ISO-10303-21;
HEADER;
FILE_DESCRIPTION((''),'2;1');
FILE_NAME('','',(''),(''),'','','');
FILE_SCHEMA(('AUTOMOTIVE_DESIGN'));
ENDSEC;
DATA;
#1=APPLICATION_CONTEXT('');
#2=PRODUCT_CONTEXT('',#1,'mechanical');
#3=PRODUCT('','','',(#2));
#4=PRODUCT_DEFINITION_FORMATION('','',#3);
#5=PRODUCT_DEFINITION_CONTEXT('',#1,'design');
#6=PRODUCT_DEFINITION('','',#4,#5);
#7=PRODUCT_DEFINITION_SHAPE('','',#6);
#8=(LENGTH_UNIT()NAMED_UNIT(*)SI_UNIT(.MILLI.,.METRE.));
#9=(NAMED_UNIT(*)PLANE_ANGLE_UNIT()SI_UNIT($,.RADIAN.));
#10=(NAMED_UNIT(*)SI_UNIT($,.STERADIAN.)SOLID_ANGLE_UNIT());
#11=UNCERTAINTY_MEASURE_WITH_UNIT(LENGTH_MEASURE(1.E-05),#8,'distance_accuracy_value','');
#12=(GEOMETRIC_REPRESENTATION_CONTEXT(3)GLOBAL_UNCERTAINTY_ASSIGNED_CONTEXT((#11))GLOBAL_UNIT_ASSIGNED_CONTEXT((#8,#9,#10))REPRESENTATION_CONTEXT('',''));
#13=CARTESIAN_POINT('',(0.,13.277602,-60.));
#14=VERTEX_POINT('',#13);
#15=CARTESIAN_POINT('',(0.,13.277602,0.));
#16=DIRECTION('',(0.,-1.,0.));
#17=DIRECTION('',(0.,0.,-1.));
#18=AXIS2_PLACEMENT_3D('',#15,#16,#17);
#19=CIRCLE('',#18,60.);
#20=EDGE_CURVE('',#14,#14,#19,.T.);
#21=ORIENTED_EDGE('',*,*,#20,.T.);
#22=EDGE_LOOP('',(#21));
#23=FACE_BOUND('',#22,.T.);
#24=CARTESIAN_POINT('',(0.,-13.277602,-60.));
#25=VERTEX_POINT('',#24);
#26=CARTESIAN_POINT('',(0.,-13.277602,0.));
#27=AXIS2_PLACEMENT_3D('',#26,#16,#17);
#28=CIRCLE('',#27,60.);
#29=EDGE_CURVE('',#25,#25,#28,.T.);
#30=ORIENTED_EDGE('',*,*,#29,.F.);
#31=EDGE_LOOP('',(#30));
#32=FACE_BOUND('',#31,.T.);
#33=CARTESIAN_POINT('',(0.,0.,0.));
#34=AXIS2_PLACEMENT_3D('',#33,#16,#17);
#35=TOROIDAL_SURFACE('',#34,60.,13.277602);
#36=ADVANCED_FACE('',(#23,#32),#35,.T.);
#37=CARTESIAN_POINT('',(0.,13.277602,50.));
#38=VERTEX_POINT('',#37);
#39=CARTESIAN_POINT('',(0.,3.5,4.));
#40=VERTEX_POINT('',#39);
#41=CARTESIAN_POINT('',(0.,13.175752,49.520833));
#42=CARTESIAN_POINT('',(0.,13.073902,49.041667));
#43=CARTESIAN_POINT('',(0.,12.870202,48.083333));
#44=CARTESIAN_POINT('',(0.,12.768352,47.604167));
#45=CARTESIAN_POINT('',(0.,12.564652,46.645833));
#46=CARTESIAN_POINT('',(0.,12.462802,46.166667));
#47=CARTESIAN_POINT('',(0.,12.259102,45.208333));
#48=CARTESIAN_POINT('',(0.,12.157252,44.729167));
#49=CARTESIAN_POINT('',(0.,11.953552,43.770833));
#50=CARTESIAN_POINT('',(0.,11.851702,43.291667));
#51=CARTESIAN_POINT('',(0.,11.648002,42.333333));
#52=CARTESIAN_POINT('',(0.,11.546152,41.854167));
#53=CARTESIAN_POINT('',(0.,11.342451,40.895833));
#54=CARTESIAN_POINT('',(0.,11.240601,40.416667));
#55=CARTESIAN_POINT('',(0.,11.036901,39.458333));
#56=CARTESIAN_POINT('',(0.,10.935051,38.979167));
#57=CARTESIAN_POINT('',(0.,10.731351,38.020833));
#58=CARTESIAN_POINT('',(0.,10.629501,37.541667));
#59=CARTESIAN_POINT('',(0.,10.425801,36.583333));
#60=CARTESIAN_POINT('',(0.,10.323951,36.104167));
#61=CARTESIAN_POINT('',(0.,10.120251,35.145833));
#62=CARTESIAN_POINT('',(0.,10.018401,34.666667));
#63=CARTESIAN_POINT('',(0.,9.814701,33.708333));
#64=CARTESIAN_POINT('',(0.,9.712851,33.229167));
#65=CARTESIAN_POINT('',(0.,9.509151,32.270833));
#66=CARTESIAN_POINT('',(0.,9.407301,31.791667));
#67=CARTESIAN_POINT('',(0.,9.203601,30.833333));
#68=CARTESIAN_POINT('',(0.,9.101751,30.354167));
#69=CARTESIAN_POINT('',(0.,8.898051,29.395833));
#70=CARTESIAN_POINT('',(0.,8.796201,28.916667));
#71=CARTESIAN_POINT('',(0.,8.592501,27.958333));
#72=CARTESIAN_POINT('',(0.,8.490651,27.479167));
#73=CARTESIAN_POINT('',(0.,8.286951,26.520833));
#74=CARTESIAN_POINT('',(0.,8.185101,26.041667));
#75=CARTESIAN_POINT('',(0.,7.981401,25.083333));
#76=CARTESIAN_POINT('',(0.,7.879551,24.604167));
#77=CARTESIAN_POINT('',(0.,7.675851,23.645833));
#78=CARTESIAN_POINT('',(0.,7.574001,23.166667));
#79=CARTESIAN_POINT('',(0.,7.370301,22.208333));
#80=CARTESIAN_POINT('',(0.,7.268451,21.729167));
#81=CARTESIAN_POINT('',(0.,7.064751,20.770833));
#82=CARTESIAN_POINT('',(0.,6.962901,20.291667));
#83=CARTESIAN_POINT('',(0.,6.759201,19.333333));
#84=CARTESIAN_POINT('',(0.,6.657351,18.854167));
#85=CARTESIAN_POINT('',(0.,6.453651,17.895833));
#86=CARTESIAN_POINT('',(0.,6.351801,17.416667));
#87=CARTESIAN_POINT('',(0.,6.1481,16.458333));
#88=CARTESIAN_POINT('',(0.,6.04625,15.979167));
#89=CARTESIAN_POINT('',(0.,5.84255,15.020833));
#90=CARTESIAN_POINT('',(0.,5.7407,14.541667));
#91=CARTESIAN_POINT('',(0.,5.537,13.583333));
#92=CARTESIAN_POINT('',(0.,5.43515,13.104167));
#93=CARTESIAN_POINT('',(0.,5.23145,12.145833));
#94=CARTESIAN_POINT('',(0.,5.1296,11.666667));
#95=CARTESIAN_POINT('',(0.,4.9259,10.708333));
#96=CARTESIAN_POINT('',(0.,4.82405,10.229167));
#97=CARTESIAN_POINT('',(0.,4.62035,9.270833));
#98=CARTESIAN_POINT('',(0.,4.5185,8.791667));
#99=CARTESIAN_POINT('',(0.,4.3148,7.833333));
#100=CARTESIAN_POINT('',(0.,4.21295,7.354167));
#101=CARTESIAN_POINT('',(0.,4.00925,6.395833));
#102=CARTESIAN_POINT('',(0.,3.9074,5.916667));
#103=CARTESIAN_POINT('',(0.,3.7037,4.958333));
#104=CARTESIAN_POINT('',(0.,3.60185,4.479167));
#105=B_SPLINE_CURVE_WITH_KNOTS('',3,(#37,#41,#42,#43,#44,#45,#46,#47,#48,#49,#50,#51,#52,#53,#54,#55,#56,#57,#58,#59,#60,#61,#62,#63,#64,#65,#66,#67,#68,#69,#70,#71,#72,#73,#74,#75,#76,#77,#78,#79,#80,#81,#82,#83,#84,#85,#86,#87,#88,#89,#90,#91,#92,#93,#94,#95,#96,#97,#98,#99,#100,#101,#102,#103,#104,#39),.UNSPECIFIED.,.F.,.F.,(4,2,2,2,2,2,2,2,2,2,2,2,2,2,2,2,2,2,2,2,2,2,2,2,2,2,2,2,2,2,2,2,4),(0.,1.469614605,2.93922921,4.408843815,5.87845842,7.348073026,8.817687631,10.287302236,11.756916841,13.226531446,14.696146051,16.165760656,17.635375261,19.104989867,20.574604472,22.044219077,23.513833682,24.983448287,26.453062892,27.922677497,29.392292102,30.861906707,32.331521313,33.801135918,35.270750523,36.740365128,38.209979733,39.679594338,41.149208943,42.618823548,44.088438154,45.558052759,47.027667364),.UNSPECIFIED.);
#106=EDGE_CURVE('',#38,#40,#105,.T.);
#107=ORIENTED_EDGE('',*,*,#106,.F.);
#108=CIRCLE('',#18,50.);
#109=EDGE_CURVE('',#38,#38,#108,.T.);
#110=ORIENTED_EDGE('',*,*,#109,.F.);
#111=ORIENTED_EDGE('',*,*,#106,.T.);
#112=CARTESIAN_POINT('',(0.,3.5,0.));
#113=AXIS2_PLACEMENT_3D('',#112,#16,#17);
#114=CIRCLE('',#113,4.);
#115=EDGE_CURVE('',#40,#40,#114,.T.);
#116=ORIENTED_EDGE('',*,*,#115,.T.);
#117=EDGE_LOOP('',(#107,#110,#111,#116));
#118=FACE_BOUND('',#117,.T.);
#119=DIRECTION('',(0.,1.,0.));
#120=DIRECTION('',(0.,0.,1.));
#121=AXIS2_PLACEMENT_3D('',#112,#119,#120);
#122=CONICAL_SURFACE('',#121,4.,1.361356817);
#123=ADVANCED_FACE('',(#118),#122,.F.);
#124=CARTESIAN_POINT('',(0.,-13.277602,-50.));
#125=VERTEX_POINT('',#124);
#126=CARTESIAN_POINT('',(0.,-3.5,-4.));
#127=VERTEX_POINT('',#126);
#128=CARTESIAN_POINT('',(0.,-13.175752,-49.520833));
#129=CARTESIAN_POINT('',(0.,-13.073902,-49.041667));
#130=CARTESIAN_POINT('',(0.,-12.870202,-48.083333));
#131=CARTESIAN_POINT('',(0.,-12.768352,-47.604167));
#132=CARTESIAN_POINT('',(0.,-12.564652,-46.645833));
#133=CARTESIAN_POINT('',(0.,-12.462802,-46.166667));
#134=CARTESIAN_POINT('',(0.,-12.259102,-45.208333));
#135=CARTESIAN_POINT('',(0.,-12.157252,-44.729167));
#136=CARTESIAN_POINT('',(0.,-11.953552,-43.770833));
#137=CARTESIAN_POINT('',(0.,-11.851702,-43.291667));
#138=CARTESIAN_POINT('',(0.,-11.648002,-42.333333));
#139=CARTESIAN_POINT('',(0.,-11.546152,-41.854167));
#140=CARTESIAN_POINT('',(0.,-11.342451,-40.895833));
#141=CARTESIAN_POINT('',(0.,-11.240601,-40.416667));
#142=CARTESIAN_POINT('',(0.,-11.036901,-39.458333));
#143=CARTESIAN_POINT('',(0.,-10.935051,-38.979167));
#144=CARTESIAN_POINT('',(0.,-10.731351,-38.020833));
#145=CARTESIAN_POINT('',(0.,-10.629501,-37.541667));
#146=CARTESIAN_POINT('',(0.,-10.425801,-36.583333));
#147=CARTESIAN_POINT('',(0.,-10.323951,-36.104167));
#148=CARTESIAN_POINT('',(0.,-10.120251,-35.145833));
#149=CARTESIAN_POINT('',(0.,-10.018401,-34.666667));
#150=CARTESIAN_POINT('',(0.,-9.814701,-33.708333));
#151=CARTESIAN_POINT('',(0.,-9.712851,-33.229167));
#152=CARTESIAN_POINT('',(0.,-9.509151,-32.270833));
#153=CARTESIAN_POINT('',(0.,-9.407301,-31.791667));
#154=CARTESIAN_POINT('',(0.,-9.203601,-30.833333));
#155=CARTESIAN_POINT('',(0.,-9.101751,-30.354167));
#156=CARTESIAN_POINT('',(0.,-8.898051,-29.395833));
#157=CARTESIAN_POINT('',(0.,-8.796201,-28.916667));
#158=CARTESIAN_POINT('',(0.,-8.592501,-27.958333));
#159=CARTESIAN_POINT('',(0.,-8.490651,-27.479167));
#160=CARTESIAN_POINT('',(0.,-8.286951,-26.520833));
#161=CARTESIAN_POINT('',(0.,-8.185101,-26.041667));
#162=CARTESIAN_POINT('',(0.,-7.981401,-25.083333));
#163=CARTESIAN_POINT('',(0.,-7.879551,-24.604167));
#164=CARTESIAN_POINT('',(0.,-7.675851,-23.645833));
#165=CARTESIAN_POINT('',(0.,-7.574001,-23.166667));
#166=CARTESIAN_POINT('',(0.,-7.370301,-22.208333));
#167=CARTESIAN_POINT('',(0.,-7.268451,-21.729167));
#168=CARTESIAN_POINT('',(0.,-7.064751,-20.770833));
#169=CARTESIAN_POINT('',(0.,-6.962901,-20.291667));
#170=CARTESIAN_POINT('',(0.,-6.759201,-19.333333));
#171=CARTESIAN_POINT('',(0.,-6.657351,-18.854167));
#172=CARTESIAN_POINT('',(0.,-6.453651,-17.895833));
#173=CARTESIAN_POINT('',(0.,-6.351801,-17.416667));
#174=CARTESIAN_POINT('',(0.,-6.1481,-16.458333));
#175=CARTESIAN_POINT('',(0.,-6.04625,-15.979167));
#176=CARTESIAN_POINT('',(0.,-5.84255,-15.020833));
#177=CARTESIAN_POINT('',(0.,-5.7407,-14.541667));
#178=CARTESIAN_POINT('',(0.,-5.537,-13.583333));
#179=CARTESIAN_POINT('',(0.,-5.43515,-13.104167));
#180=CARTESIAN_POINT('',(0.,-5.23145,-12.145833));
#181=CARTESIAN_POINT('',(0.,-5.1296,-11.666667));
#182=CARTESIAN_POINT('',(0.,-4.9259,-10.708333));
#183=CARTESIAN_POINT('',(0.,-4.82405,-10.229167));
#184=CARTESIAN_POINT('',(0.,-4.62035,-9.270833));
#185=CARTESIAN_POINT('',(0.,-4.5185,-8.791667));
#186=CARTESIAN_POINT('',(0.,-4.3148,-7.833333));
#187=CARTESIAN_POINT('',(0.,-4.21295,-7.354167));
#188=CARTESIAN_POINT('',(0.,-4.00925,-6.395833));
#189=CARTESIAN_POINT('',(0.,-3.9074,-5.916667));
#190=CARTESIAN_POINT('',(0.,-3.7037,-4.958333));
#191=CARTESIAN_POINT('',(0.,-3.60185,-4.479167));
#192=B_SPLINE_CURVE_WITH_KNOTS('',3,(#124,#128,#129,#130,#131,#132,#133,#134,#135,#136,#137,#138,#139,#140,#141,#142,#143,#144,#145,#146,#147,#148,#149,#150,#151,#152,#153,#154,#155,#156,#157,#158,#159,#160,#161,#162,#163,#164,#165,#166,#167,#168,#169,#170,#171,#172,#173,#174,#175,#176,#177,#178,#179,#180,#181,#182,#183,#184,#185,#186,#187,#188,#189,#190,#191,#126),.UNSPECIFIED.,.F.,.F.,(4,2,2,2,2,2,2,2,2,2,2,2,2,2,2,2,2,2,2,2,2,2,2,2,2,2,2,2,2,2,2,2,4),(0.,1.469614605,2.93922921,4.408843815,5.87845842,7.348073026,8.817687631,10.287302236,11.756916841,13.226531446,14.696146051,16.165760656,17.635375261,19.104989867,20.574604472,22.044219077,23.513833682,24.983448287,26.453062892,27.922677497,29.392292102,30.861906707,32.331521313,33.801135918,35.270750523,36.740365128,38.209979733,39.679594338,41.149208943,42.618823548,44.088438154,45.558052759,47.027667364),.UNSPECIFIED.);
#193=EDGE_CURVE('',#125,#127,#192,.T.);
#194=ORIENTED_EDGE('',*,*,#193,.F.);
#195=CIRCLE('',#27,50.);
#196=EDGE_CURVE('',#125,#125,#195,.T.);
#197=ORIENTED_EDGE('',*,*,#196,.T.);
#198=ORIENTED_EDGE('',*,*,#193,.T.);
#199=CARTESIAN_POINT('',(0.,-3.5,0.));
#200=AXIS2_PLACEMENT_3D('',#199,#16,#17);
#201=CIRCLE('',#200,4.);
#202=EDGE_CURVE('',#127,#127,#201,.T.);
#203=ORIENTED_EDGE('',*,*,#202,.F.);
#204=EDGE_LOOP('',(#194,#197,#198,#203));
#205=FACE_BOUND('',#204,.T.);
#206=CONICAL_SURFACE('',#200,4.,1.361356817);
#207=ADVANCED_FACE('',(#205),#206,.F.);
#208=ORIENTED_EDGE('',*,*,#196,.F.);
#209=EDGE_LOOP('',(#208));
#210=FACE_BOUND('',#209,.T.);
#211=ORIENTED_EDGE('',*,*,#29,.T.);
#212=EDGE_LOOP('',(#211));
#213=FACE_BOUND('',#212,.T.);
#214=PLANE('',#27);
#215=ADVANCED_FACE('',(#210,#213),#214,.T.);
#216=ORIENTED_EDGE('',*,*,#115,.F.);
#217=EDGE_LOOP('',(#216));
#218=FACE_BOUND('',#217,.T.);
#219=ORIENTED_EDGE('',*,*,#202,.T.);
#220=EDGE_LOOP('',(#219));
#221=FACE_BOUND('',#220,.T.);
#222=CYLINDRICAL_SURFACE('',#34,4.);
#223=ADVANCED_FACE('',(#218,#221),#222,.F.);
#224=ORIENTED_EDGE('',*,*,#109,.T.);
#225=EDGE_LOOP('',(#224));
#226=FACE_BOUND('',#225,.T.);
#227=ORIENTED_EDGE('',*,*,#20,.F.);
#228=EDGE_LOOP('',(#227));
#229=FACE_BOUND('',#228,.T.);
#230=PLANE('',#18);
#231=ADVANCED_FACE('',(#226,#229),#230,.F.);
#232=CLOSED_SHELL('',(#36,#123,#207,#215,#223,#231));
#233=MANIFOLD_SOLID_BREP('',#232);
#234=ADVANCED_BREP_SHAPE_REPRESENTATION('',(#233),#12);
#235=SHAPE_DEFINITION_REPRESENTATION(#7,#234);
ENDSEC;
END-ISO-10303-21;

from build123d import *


with BuildPart() as part:
    # Sketch1 → Revolve1 (revolve)
    with BuildSketch(Plane.XY, mode=Mode.PRIVATE) as revolve1_sk:
        with BuildLine():
            Line((50, -13.277601837), (60, -13.277601837))
            ThreePointArc((60, -13.277601837), (73.277601837, 0), (60, 13.277601837))
            Line((60, 13.277601837), (50, 13.277601837))
            Line((50, 13.277601837), (4, 3.5))
            Line((4, 3.5), (4, 0))
            Line((4, 0), (4, -3.5))
            Line((4, -3.5), (50, -13.277601837))
        make_face()
    revolve(revolve1_sk.sketch.rotate(Axis((0, 0, 0), (0, 1, 0)), 90), axis=Axis((0, 0, 0), (0, 1, 0)))


solid = part.part
